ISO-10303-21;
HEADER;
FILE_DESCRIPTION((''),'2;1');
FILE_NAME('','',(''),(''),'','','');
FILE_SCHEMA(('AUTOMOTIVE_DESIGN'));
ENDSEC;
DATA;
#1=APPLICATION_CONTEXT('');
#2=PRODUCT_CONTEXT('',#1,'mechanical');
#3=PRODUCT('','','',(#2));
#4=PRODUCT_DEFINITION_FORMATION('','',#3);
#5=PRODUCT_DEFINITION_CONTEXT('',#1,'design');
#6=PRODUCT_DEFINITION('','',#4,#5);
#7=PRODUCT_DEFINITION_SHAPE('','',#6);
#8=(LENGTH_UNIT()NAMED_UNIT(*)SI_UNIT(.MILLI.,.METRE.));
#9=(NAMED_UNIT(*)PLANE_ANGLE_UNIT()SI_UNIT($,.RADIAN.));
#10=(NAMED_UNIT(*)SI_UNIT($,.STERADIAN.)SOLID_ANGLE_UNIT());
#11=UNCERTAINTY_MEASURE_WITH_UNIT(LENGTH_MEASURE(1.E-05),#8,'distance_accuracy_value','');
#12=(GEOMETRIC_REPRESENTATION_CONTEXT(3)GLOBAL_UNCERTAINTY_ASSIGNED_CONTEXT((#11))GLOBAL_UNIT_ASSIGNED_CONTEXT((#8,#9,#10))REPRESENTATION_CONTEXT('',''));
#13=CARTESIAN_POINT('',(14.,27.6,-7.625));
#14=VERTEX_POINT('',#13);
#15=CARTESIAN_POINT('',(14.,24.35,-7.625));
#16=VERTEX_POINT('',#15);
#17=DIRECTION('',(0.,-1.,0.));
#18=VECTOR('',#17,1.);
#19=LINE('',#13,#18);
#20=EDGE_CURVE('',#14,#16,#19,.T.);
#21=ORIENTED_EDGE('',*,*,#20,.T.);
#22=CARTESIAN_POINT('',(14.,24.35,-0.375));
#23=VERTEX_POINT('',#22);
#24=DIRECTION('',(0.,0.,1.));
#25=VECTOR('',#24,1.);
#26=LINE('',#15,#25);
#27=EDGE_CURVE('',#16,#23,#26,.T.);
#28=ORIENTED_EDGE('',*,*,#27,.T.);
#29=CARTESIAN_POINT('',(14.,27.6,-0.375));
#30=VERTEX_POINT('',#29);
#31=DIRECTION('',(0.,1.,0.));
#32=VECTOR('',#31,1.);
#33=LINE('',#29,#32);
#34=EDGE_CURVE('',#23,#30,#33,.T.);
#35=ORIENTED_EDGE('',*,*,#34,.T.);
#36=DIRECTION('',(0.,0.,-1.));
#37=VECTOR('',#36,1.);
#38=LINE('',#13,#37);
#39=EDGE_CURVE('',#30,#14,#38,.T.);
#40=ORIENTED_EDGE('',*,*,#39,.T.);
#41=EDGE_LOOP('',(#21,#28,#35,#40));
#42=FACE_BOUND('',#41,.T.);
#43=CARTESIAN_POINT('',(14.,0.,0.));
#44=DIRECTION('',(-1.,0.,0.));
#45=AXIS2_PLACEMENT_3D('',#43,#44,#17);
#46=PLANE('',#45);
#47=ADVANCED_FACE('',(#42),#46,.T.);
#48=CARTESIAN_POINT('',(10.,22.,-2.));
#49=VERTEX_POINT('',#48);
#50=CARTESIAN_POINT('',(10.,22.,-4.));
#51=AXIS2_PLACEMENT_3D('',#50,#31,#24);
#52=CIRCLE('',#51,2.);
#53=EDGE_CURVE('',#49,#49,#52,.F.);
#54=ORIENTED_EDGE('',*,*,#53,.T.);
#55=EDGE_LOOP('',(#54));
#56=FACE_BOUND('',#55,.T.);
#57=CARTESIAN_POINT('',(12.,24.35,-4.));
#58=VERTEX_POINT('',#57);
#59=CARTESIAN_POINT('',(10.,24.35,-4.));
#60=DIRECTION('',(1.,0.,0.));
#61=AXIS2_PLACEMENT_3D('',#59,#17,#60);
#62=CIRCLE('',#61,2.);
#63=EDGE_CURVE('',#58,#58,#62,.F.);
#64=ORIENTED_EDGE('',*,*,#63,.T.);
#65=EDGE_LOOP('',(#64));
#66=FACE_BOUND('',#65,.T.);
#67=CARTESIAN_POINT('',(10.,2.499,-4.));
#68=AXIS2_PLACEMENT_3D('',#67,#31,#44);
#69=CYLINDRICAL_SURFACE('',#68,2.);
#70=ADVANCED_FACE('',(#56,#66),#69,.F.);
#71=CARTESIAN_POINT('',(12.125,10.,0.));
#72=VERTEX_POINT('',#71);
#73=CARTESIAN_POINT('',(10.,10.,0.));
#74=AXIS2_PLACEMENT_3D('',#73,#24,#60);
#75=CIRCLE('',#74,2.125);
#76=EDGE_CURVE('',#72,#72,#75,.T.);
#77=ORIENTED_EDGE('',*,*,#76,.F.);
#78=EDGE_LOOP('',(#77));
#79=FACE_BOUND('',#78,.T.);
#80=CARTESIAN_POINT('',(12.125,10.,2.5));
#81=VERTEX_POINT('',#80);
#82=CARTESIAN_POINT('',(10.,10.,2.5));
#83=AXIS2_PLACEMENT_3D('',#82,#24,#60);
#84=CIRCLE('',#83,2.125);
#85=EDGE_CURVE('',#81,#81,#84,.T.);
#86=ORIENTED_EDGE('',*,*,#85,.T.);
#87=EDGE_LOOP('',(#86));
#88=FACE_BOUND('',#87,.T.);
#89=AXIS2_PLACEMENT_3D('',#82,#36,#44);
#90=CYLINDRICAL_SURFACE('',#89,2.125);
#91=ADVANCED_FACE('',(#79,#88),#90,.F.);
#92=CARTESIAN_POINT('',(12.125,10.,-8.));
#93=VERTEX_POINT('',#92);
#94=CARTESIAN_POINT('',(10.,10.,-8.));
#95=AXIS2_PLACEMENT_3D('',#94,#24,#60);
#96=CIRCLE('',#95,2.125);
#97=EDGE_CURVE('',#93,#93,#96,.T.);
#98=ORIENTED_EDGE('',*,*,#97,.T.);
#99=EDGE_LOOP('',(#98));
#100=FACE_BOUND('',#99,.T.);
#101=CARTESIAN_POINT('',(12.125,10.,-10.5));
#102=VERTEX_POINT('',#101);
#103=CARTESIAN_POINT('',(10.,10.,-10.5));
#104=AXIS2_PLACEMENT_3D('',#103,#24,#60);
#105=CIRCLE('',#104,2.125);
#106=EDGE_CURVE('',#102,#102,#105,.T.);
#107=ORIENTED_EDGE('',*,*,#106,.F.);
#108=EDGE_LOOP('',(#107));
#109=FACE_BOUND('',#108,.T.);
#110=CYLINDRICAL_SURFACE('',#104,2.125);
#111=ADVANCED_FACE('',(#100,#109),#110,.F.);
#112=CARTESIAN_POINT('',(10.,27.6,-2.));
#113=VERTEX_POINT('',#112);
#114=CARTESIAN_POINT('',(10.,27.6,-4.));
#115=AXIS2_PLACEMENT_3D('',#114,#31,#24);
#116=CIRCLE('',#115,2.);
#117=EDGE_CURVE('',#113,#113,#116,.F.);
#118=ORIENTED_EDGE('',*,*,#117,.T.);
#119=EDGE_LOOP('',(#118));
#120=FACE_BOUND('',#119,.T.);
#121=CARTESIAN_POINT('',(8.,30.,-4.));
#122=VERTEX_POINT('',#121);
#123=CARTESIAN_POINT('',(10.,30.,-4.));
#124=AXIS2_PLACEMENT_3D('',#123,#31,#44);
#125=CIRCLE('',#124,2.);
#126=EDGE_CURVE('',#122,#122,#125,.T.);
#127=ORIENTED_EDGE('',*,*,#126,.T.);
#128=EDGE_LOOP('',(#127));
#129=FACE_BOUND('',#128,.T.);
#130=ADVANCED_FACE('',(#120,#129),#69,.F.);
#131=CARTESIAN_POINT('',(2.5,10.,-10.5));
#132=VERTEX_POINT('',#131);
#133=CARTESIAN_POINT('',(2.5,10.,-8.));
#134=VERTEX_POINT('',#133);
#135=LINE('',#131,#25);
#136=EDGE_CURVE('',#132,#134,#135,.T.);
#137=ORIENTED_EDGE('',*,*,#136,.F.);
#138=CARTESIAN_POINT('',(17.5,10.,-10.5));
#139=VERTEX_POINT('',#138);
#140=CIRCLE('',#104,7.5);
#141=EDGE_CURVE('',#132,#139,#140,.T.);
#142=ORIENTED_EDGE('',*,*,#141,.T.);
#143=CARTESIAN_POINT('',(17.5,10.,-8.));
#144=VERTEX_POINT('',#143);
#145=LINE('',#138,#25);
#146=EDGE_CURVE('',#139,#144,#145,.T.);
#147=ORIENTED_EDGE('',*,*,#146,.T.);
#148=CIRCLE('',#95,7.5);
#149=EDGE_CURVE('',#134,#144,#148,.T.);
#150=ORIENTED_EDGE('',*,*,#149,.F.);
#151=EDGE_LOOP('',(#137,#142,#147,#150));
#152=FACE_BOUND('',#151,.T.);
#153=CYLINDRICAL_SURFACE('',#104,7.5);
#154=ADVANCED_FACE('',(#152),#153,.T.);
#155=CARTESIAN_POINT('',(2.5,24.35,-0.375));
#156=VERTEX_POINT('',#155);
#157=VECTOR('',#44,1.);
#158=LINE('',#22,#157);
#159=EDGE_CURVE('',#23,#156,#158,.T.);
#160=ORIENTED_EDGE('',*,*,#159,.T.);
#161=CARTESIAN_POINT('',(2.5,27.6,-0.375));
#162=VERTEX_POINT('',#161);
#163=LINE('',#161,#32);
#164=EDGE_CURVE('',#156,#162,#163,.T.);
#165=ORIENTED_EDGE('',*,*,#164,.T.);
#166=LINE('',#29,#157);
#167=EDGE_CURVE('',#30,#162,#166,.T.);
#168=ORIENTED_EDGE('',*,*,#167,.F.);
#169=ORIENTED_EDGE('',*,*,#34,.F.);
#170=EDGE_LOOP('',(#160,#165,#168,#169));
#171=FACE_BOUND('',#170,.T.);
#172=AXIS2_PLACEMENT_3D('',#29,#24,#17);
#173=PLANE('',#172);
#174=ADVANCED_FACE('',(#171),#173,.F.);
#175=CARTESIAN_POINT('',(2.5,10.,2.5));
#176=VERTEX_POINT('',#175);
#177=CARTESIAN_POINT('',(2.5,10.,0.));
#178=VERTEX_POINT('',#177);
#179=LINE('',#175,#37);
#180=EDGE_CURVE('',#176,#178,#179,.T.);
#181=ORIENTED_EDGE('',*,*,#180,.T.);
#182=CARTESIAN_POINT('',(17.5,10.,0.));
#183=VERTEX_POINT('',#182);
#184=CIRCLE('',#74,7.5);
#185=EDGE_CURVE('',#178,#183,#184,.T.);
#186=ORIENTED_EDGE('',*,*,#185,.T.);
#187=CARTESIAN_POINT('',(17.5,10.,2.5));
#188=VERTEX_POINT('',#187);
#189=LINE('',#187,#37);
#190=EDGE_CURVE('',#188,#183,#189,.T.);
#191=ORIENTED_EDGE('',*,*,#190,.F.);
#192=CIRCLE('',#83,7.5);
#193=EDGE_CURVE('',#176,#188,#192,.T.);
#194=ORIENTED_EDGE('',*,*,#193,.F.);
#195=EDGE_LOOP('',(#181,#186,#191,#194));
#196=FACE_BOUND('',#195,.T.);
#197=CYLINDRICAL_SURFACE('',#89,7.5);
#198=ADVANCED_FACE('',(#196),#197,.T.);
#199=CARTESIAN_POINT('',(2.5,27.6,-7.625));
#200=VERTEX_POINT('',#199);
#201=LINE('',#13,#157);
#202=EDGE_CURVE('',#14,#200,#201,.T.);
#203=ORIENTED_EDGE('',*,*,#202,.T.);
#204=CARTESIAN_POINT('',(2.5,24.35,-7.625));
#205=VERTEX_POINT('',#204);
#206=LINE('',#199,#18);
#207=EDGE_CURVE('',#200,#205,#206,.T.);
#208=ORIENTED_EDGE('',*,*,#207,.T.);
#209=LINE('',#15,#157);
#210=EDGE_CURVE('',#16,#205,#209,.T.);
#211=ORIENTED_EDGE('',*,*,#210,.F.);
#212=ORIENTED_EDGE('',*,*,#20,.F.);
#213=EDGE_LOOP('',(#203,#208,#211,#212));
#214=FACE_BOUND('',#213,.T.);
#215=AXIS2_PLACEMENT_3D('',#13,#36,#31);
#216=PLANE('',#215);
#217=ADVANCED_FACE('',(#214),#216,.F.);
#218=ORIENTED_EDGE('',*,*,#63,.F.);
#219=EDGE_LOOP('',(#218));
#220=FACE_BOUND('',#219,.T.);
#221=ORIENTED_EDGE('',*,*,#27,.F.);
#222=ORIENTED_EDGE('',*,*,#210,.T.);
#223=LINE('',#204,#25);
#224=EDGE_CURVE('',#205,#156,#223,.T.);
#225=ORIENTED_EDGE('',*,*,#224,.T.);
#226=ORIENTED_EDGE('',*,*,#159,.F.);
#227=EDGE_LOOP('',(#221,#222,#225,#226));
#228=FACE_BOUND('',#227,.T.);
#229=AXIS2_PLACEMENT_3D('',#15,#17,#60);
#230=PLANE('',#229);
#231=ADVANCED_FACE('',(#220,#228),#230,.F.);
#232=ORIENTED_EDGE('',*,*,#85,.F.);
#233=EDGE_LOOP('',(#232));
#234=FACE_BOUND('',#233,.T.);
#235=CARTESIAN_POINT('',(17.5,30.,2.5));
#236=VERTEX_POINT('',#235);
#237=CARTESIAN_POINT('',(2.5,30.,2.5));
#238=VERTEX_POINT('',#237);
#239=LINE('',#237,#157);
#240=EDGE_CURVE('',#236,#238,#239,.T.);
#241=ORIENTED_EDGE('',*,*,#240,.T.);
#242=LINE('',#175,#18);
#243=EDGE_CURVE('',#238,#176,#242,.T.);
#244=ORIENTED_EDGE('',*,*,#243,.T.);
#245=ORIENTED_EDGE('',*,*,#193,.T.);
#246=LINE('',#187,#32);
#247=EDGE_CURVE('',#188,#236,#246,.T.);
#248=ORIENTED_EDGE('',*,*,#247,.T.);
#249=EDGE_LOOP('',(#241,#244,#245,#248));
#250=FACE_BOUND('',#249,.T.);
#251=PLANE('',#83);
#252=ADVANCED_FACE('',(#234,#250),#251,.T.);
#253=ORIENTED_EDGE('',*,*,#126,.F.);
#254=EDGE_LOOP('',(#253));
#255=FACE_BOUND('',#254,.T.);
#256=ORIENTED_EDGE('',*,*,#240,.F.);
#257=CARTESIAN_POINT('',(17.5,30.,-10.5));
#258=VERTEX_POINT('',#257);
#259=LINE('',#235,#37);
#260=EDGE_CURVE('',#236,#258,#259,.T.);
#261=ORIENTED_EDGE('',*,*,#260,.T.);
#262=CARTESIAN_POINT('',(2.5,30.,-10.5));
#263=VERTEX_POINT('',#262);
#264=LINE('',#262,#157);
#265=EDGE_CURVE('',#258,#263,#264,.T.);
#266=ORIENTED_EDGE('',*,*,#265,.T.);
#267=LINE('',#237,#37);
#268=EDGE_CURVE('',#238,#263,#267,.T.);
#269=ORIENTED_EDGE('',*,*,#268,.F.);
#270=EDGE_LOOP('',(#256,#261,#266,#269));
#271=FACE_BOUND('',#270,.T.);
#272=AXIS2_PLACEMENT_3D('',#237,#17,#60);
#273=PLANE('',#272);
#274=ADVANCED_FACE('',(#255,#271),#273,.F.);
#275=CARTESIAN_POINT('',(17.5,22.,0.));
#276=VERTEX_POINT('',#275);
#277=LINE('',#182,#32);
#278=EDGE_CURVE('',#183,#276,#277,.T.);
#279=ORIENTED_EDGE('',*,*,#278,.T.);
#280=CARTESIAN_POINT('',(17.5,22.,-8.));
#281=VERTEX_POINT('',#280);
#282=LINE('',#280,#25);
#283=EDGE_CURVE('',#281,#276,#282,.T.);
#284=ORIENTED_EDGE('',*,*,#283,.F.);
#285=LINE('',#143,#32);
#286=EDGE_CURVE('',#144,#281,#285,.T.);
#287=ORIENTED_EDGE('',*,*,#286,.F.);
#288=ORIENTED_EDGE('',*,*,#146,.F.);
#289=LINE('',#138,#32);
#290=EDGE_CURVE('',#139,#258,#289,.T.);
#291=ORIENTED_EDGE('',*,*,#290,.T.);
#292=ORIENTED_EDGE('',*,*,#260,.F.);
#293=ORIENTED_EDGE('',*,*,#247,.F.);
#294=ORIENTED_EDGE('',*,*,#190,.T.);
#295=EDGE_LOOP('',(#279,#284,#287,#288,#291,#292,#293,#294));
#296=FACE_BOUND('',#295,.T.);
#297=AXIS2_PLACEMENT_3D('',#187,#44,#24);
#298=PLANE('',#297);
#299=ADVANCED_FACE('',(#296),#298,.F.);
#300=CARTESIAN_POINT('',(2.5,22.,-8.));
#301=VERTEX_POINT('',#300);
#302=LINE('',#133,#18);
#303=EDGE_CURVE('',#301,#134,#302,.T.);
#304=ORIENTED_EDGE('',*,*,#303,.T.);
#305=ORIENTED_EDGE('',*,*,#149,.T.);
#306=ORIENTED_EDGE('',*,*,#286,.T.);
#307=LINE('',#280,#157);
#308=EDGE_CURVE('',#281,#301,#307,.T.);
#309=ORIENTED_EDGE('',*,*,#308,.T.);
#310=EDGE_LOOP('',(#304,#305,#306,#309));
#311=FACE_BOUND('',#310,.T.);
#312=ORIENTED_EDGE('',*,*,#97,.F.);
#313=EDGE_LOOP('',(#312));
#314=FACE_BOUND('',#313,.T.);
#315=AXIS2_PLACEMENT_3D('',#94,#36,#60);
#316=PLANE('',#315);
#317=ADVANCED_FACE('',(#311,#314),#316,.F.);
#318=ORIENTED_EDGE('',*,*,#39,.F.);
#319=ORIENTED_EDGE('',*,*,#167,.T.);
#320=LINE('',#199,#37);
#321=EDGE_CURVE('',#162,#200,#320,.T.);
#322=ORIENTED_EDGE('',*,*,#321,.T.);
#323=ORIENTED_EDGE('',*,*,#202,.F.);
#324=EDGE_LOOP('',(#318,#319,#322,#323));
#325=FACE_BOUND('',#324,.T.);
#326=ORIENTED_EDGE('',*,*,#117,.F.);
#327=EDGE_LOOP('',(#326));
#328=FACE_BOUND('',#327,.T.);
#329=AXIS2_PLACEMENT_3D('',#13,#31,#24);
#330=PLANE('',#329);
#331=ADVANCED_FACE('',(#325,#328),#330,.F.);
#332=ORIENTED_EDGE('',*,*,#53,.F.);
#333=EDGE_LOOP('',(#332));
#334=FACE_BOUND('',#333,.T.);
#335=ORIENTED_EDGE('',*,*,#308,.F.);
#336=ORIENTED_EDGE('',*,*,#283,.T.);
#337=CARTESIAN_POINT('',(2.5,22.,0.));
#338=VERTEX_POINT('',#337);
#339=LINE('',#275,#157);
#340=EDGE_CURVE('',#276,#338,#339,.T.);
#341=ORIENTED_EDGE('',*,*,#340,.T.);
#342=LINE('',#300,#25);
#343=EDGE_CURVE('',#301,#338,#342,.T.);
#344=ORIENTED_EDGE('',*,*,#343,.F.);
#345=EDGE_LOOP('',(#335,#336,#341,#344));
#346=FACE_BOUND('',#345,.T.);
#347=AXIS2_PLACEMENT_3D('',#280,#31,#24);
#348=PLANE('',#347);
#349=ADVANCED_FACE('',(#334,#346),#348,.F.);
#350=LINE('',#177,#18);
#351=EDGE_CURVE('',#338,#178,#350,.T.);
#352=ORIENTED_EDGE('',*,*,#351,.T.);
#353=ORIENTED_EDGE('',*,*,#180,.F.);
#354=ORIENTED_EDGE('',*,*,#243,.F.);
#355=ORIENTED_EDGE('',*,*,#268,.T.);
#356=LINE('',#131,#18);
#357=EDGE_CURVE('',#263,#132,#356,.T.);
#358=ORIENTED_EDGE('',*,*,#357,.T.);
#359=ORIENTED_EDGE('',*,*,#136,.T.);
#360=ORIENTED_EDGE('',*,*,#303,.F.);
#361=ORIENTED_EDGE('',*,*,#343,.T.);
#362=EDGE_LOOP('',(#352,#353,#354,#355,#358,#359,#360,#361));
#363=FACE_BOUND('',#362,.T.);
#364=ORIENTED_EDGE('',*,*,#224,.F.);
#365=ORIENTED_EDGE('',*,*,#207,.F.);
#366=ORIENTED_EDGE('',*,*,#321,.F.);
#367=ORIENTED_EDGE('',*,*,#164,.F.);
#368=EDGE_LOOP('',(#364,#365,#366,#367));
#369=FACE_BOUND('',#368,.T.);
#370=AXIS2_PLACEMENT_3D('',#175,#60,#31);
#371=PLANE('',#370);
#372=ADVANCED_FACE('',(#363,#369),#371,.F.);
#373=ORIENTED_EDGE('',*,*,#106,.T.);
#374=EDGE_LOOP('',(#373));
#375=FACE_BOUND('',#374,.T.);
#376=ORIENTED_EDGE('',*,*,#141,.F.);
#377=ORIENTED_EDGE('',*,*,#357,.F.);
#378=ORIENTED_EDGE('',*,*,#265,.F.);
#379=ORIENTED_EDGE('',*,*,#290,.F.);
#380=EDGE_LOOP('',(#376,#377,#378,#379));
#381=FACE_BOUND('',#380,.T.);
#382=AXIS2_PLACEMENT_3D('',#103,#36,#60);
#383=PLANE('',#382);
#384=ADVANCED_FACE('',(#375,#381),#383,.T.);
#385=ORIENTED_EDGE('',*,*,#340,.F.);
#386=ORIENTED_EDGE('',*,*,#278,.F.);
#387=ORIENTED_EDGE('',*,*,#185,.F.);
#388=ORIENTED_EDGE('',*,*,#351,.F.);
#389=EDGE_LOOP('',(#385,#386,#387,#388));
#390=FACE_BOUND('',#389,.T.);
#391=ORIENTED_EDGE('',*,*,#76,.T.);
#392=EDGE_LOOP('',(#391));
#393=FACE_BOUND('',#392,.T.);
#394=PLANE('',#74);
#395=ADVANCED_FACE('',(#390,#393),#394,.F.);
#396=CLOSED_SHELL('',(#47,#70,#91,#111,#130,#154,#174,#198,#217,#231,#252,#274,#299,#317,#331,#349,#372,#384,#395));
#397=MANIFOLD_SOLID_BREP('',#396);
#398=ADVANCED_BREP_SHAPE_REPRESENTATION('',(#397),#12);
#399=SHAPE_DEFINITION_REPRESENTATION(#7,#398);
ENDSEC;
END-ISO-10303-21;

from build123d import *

# Parameters (mm, degrees)
SKETCH1_R           = 2.125
BOSS_EXTRUDE1_DEPTH = 2.5
SKETCH2_W           = 15
SKETCH2_H           = 8
BOSS_EXTRUDE2_DEPTH = 8
CUT_EXTRUDE1_REACH  = 29.5
SKETCH4_R           = 2
SKETCH6_W           = 7.25
SKETCH6_H           = 3.25
CUT_EXTRUDE2_DEPTH  = 11.5


with BuildPart() as part:
    # Sketch1 → Boss-Extrude1 (new body)
    with BuildSketch(Plane.XY):
        with BuildLine():
            Line((2.5, 10), (2.5, 30))
            Line((2.5, 30), (17.5, 30))
            Line((17.5, 30), (17.5, 10))
            ThreePointArc((17.5, 10), (10, 2.5), (2.5, 10))
        make_face()
        with Locations((10, 10)):
            Circle(SKETCH1_R, mode=Mode.SUBTRACT)
    boss_extrude1 = extrude(amount=BOSS_EXTRUDE1_DEPTH)

    # Sketch2 → Boss-Extrude2 (add)
    with BuildSketch(Plane(origin=(0, 0, 0), x_dir=(-1, 0, 0), z_dir=(0, 0, -1))):
        with Locations((-10, 26)):
            Rectangle(SKETCH2_W, SKETCH2_H)
    extrude(amount=BOSS_EXTRUDE2_DEPTH)

    # Mirror1: Boss-Extrude1 across plane
    add(boss_extrude1.mirror(Plane.XY.offset(-4)))

    # Sketch4 → Cut-Extrude1 (cut, up to next)
    with BuildSketch(Plane(origin=(0, 30, 0), x_dir=(1, 0, 0), z_dir=(0, 1, 0)), mode=Mode.PRIVATE) as cut_extrude1_sk1:
        with Locations((10, 4)):
            Circle(SKETCH4_R)
    cut_extrude1_tool1 = extrude(cut_extrude1_sk1.sketch, amount=-CUT_EXTRUDE1_REACH, mode=Mode.PRIVATE) & part.part
    add(cut_extrude1_tool1.solids().sort_by_distance((10, 30, -4))[0], mode=Mode.SUBTRACT)

    # Sketch6 → Cut-Extrude2 (cut)
    with BuildSketch(Plane.ZY.offset(-2.5)):
        with Locations((-4, 25.975)):
            Rectangle(SKETCH6_W, SKETCH6_H)
    extrude(amount=-CUT_EXTRUDE2_DEPTH, mode=Mode.SUBTRACT)


solid = part.part
